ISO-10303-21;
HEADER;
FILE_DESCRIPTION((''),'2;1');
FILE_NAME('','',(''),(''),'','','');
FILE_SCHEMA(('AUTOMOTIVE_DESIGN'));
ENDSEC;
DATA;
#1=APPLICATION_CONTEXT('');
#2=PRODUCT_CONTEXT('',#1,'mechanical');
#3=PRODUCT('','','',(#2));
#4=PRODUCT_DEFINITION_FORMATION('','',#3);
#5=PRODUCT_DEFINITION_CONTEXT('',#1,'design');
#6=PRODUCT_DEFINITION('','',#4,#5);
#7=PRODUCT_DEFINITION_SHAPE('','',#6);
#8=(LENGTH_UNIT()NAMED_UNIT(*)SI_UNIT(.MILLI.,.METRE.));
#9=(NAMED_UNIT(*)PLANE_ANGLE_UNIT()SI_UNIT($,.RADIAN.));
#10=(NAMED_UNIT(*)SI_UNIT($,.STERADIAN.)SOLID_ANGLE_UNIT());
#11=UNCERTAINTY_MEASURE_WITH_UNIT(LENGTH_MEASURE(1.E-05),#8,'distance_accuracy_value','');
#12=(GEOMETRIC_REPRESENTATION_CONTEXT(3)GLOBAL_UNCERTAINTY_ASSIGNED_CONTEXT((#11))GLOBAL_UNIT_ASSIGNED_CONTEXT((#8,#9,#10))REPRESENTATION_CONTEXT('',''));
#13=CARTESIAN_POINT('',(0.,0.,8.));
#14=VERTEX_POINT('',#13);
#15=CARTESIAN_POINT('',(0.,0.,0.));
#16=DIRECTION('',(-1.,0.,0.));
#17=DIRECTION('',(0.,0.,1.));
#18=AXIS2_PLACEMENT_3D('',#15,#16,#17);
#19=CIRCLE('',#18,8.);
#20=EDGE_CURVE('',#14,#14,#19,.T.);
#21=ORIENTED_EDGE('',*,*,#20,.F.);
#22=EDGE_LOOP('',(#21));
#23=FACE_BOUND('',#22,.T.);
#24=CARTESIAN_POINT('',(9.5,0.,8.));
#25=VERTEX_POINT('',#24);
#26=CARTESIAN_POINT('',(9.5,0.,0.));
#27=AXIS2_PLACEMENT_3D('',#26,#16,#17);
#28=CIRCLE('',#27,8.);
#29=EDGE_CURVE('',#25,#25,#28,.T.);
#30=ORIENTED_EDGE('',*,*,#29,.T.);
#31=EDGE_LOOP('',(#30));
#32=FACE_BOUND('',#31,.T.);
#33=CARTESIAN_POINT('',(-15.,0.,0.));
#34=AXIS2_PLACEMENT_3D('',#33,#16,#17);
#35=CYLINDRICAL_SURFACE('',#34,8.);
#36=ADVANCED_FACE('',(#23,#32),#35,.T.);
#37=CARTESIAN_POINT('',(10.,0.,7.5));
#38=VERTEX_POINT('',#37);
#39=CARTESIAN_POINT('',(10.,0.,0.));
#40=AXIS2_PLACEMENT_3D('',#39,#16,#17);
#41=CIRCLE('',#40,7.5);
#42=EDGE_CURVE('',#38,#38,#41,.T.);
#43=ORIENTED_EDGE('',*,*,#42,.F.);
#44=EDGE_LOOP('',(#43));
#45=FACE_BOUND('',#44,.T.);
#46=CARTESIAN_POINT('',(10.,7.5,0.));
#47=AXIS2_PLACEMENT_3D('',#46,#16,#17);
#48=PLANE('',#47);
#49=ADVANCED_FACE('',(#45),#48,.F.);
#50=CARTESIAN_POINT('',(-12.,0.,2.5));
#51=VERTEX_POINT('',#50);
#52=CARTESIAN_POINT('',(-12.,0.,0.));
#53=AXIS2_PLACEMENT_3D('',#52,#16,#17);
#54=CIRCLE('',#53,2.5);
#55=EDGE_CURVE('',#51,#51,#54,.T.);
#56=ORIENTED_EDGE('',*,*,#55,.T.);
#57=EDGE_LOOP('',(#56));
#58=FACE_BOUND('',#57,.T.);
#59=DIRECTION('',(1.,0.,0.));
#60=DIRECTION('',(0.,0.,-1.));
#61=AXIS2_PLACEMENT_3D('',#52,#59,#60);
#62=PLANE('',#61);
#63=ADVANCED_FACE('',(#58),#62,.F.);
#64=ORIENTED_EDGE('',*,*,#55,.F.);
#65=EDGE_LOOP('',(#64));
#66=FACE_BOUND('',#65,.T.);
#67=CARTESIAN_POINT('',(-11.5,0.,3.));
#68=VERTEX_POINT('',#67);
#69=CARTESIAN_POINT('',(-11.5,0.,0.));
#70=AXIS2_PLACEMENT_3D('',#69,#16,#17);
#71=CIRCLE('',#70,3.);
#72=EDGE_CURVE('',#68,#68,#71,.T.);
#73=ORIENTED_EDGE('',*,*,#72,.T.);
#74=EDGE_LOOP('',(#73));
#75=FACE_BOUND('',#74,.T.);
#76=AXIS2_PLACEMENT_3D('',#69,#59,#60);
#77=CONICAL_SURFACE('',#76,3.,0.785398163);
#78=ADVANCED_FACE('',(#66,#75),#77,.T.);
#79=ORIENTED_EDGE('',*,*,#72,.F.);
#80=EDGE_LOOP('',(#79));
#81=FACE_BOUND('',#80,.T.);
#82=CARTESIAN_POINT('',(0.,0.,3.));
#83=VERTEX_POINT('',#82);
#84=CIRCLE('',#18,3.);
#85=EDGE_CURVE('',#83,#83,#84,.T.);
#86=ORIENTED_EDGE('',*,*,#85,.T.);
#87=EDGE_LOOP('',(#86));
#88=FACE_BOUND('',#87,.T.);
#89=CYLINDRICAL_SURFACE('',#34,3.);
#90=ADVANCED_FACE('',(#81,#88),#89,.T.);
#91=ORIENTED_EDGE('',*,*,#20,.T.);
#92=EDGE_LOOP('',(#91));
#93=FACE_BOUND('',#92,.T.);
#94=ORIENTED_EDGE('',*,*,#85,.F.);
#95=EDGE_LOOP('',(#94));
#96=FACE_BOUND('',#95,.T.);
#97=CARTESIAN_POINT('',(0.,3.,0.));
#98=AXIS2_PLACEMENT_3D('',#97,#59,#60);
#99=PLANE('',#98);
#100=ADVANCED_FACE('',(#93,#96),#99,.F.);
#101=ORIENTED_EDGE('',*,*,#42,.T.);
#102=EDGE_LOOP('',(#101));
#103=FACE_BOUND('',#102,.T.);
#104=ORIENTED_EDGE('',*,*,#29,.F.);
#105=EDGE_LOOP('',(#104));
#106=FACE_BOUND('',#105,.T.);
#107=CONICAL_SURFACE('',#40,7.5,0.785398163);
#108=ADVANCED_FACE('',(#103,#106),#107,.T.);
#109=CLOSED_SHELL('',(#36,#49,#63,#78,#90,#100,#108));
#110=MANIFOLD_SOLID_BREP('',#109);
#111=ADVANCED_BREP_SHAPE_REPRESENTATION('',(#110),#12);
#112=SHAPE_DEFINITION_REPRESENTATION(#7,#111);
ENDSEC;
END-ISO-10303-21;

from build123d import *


with BuildPart() as part:
    # Sketch_Tip_Profile → Tip_Revolve_D16x10_Stud_M6x12 (revolve)
    with BuildSketch(Plane.XY):
        Polygon((-12, 0), (-12, 2.5), (-11.5, 3), (0, 3), (0, 8), (9.5, 8), (10, 7.5), (10, 0), align=None)
    revolve(axis=Axis((-15, 0, 0), (1, 0, 0)))


solid = part.part
